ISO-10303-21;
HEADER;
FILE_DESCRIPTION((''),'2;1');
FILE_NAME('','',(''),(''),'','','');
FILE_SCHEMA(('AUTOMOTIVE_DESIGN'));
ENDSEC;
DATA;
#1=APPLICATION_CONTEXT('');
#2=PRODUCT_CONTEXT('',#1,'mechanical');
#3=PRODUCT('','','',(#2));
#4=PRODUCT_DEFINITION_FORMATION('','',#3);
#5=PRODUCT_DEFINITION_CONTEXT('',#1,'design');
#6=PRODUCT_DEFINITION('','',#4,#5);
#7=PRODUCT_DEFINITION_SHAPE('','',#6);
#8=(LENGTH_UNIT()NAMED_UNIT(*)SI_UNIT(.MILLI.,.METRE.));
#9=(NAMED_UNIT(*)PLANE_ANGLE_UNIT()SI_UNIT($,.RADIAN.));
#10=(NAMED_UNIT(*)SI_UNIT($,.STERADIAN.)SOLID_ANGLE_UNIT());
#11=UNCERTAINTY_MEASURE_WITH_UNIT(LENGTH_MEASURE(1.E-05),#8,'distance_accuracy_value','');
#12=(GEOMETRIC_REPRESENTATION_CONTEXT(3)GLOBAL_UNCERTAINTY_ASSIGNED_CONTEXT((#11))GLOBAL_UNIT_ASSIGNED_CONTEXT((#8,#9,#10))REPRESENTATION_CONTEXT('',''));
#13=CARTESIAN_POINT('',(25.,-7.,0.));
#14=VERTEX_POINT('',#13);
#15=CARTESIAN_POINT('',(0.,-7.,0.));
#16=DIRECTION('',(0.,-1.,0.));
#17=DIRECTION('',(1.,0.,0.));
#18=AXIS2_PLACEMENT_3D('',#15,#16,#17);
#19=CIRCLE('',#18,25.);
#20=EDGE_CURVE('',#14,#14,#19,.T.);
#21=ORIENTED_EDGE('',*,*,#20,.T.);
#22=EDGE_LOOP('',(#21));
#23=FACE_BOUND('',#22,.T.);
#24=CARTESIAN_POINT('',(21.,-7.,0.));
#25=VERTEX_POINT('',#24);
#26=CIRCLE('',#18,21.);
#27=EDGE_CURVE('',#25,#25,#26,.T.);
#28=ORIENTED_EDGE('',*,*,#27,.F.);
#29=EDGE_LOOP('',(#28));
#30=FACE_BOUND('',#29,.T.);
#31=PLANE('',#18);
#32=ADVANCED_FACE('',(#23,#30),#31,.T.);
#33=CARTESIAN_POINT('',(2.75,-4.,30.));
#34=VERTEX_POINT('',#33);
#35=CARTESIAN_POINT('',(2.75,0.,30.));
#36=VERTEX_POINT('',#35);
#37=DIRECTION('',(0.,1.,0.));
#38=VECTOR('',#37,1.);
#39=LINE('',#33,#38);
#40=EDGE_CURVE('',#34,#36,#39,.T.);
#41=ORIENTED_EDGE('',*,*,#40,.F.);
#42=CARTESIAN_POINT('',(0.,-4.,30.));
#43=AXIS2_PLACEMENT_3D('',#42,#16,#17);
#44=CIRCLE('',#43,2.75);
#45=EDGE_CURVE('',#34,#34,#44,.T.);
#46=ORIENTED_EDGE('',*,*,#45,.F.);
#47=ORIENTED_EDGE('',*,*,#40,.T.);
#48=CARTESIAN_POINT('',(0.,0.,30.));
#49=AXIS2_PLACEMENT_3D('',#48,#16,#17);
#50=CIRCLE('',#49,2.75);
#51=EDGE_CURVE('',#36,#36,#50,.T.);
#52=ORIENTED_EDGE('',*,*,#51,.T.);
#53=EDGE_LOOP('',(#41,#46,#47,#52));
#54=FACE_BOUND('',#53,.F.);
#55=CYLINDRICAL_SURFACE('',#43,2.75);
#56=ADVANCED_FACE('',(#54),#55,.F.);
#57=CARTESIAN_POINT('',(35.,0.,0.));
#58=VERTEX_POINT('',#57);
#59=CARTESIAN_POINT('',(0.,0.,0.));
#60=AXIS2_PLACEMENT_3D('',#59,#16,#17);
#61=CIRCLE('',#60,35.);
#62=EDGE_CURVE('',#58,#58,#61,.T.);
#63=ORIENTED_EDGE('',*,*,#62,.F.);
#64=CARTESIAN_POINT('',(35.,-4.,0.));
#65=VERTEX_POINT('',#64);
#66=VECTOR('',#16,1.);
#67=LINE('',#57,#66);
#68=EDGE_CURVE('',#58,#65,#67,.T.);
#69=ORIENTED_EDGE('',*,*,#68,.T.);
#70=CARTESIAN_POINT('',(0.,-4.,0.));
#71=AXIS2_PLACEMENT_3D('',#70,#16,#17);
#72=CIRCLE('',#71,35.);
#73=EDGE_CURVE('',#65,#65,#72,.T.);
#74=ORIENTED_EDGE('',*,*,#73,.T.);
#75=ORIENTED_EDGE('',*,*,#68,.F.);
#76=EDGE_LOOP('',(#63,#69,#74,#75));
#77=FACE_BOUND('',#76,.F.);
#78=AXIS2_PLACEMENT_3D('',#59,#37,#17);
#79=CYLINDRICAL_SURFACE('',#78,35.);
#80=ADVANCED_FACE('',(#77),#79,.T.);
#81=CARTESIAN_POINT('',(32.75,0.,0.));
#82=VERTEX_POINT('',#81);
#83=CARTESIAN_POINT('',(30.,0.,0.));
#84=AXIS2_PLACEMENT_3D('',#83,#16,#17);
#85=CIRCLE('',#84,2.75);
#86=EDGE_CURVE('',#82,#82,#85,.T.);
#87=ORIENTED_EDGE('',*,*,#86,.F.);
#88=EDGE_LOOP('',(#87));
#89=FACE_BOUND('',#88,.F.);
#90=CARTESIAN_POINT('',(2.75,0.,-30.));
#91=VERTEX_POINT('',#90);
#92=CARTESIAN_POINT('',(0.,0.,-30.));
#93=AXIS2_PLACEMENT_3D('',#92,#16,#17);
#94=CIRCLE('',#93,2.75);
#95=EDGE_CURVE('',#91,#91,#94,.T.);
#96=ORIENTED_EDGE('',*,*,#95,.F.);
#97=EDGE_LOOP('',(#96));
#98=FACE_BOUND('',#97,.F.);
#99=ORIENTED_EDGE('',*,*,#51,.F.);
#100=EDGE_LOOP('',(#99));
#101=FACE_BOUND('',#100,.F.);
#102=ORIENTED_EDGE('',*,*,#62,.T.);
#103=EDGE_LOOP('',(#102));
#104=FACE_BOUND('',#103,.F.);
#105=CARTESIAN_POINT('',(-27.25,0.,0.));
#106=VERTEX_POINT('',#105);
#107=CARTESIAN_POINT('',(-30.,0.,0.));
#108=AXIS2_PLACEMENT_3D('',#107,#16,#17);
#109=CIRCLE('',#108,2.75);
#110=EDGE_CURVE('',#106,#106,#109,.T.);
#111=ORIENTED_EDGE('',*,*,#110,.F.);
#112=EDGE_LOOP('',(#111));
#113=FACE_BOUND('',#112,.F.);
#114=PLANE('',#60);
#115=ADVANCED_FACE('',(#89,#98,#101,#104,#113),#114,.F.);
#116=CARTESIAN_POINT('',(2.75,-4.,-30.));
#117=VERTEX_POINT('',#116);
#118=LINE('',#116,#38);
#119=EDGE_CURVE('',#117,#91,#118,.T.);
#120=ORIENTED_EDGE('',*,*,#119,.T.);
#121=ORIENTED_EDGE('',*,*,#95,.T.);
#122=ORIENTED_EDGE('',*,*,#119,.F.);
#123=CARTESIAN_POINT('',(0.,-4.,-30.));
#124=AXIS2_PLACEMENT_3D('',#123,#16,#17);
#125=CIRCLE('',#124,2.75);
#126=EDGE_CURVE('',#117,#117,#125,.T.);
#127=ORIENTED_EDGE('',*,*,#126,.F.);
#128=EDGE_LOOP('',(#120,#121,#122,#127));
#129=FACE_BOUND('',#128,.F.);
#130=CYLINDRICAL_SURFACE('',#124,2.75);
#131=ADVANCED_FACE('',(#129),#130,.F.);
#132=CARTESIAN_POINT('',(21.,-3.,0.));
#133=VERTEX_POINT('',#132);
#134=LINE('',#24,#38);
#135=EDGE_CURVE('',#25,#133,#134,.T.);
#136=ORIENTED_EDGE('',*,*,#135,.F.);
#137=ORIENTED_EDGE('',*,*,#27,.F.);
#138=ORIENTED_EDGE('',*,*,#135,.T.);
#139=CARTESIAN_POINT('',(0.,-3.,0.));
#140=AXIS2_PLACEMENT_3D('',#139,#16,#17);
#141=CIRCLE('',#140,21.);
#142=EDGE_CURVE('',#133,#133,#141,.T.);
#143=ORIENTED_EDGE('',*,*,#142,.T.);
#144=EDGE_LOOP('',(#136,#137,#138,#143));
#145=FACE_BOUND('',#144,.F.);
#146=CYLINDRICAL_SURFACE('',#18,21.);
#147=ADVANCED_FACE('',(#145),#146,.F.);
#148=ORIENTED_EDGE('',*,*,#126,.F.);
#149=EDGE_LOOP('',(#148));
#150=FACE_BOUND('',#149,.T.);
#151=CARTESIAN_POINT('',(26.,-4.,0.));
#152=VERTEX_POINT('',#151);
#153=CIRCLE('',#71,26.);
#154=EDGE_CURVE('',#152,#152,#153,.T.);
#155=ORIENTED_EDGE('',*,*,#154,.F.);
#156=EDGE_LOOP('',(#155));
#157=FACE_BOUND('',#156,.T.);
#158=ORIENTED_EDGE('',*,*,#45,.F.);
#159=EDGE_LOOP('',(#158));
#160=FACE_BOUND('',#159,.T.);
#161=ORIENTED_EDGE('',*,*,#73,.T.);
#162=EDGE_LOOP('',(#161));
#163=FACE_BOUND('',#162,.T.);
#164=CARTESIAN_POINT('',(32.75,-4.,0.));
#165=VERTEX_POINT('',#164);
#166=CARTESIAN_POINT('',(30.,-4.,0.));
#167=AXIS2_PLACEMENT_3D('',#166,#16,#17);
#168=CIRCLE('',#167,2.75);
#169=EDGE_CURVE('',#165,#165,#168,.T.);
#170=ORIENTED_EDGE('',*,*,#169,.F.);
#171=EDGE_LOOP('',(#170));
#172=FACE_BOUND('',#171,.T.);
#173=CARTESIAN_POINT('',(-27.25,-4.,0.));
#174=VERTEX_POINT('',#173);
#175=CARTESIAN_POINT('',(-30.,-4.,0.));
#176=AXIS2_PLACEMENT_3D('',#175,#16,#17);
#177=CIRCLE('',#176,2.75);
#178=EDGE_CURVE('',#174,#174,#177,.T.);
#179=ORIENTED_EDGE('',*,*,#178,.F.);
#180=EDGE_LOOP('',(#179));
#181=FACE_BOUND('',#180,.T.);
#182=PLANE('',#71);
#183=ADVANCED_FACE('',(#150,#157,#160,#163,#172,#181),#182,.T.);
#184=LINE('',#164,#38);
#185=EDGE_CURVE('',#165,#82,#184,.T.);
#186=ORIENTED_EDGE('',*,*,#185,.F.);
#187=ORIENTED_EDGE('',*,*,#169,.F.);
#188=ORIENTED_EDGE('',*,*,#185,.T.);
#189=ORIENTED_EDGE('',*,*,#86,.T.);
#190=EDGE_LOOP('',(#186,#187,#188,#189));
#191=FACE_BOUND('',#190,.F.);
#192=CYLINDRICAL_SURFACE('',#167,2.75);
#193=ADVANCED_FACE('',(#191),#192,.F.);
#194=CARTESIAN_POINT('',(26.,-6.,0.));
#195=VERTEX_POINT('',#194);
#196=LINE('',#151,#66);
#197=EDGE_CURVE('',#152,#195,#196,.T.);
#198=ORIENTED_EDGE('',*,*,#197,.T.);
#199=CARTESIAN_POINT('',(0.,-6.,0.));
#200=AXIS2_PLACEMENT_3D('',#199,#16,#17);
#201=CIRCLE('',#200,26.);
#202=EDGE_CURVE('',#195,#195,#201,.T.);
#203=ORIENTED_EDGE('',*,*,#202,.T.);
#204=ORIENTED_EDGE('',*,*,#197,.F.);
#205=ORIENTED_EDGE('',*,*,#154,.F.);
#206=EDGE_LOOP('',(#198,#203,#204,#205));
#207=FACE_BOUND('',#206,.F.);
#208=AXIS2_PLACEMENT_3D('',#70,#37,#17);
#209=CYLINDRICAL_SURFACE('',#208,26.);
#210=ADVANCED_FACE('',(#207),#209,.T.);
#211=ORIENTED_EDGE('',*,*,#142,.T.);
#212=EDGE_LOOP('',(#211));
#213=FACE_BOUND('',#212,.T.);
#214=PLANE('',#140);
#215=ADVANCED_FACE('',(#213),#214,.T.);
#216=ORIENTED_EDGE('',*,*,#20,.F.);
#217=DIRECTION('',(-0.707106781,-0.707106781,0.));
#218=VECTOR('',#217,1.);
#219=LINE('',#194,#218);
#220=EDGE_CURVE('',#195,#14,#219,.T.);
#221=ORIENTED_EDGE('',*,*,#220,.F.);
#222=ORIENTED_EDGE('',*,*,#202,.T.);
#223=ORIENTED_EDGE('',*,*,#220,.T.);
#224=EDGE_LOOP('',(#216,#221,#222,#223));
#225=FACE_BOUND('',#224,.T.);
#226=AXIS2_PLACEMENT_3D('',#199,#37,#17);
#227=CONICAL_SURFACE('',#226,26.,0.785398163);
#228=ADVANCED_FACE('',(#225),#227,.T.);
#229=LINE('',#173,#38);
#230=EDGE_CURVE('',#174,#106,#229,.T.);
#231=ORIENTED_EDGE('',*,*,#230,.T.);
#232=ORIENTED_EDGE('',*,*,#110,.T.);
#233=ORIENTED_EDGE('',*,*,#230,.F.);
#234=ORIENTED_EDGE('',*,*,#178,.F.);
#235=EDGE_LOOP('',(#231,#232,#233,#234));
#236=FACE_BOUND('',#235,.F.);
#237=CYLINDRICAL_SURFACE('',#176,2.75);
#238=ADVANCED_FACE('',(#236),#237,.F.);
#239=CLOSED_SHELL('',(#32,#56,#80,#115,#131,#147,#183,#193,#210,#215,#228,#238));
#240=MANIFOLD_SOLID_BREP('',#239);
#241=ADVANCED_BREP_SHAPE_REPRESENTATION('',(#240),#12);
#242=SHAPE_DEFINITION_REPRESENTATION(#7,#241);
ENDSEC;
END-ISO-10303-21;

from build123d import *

# Parameters (mm, degrees)
F0_R     = 35
F1_DEPTH = 4
F2_R     = 2.75
F3_DEPTH = 4
F4_R     = 26
F5_DEPTH = 3
F6_R     = 21
F7_DEPTH = 4
F8_SIZE  = 1


with BuildPart() as f1:
    # F0 (on Front) → F1 (new body)
    with BuildSketch(Plane.XZ):
        Circle(F0_R)
    extrude(amount=F1_DEPTH)

    # F2 (on face) → F3 (cut, through all)
    with BuildSketch(Plane.XZ.offset(4)):
        with Locations((30, 0)):
            Circle(F2_R)
        with Locations((0, 30)):
            Circle(F2_R)
        with Locations((-30, 0)):
            Circle(F2_R)
        with Locations((0, -30)):
            Circle(F2_R)
    extrude(amount=-F3_DEPTH, mode=Mode.SUBTRACT)

    # F4 (on face) → F5 (join)
    with BuildSketch(Plane.XZ.offset(4)):
        Circle(F4_R)
    extrude(amount=F5_DEPTH)

    # F6 (on face) → F7 (cut)
    with BuildSketch(Plane.XZ.offset(7)):
        Circle(F6_R)
    extrude(amount=-F7_DEPTH, mode=Mode.SUBTRACT)

    # F8
    f8_edges = [f1.edges().sort_by_distance(p)[0] for p in [
        (-26, -7, 0),
    ]]
    chamfer(f8_edges, length=F8_SIZE)


solid = f1.part
